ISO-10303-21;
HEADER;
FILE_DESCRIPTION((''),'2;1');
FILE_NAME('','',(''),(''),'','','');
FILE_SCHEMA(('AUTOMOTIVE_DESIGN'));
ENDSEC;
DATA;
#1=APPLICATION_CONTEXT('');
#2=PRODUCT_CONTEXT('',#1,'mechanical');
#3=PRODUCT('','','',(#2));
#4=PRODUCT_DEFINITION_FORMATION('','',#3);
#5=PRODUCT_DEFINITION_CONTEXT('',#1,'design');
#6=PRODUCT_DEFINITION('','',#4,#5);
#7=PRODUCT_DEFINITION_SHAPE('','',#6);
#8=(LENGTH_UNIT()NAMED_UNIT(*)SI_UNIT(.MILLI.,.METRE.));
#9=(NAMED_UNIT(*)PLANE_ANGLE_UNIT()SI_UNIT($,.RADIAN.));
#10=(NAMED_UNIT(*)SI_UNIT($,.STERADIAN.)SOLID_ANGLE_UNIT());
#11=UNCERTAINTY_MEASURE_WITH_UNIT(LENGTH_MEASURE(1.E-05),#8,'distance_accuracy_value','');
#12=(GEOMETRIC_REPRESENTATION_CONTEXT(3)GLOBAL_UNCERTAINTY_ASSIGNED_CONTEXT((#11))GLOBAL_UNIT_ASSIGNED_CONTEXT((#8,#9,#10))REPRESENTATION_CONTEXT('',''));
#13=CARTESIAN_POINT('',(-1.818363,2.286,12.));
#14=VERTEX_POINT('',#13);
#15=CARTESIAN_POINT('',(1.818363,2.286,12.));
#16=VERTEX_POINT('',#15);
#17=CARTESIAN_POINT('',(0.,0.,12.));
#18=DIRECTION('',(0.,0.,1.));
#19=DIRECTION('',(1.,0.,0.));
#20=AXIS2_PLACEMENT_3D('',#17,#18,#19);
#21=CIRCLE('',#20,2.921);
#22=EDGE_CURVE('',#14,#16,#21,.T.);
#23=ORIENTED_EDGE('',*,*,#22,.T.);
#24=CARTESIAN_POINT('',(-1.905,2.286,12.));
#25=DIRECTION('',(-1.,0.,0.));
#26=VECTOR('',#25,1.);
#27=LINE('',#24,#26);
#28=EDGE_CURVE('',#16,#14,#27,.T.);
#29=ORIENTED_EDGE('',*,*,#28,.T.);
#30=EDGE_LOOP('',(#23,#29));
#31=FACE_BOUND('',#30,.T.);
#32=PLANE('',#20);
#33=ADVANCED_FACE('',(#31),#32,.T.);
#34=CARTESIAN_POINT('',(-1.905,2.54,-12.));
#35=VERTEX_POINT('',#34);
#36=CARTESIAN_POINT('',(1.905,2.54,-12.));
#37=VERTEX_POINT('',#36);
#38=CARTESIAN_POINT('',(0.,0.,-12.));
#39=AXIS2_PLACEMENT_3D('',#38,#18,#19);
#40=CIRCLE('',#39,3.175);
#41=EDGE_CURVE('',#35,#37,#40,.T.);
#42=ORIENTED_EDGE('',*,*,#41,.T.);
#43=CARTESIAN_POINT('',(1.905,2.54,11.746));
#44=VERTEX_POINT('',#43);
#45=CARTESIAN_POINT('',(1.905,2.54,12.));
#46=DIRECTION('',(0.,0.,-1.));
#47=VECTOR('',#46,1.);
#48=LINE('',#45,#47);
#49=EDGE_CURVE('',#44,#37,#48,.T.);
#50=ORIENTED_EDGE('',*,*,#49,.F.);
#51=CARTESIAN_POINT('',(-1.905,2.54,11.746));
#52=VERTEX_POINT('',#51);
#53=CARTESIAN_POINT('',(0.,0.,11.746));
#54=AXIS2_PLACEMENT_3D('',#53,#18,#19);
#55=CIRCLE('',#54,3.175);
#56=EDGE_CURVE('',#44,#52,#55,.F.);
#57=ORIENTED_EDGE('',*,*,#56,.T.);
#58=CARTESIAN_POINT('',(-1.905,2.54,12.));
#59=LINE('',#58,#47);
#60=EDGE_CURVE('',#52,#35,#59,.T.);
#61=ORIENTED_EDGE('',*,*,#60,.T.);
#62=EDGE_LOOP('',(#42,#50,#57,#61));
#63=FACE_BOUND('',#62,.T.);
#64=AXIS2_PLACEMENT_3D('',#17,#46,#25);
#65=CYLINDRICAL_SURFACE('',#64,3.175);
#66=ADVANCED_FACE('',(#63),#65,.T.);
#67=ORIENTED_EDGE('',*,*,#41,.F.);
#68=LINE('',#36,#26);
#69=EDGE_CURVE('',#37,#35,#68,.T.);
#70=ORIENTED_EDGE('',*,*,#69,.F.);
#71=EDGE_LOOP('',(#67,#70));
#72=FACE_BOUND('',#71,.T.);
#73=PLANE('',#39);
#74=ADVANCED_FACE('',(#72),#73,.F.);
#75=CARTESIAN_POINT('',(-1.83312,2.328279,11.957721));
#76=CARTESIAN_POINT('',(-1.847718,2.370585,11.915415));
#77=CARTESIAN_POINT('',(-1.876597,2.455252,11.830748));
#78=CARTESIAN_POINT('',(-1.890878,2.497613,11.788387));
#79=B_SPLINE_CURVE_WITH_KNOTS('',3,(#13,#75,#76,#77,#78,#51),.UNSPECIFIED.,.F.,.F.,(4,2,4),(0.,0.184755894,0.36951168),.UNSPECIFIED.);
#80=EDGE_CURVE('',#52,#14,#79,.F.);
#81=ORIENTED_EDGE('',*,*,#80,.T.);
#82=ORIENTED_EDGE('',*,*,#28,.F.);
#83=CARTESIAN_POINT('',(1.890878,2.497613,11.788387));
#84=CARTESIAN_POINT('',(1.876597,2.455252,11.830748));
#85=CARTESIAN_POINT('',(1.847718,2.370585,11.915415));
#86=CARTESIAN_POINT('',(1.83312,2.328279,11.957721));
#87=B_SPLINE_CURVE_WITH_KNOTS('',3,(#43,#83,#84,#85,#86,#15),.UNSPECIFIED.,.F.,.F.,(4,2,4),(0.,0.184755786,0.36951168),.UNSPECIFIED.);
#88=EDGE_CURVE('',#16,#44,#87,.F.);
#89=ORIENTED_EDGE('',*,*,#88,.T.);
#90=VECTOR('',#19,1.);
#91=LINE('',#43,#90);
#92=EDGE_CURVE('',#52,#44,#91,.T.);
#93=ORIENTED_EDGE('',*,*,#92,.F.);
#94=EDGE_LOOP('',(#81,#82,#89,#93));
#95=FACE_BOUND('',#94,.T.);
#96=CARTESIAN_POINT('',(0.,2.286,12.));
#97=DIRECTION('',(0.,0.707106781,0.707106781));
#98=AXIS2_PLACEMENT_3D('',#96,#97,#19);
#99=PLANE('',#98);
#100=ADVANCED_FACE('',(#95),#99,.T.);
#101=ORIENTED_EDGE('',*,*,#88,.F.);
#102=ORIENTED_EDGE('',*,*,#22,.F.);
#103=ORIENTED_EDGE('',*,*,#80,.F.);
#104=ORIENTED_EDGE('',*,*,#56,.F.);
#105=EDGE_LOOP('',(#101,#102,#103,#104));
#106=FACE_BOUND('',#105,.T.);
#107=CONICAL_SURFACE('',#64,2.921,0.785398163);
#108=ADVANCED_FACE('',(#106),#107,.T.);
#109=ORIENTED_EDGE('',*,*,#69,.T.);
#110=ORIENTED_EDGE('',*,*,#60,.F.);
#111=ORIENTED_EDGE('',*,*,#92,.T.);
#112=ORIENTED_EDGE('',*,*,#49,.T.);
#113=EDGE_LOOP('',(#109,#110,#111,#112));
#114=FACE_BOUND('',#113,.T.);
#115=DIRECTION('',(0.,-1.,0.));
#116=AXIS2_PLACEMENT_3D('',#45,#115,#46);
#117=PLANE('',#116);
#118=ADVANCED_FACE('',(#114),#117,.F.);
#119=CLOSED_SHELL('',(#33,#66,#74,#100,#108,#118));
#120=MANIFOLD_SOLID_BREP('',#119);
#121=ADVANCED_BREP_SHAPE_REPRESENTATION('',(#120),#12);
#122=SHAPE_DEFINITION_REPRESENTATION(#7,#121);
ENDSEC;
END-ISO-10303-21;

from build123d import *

# Parameters (mm, degrees)
BOSS_EXTRUDE1_DEPTH = 12
CHAMFER1_SIZE       = 0.254


with BuildPart() as part:
    # Sketch1 → Boss-Extrude1 (new, symmetric)
    with BuildSketch(Plane.XY):
        with BuildLine():
            Line((1.905, 2.54), (-1.905, 2.54))
            ThreePointArc((-1.905, 2.54), (0, -3.175), (1.905, 2.54))
        make_face()
    extrude(amount=BOSS_EXTRUDE1_DEPTH, both=True)

    # Chamfer1
    chamfer1_edges = [part.edges().sort_by_distance(p)[0] for p in [
        (0, -3.175, 12),
        (0, 2.54, 12),
    ]]
    chamfer(chamfer1_edges, length=CHAMFER1_SIZE)


solid = part.part
